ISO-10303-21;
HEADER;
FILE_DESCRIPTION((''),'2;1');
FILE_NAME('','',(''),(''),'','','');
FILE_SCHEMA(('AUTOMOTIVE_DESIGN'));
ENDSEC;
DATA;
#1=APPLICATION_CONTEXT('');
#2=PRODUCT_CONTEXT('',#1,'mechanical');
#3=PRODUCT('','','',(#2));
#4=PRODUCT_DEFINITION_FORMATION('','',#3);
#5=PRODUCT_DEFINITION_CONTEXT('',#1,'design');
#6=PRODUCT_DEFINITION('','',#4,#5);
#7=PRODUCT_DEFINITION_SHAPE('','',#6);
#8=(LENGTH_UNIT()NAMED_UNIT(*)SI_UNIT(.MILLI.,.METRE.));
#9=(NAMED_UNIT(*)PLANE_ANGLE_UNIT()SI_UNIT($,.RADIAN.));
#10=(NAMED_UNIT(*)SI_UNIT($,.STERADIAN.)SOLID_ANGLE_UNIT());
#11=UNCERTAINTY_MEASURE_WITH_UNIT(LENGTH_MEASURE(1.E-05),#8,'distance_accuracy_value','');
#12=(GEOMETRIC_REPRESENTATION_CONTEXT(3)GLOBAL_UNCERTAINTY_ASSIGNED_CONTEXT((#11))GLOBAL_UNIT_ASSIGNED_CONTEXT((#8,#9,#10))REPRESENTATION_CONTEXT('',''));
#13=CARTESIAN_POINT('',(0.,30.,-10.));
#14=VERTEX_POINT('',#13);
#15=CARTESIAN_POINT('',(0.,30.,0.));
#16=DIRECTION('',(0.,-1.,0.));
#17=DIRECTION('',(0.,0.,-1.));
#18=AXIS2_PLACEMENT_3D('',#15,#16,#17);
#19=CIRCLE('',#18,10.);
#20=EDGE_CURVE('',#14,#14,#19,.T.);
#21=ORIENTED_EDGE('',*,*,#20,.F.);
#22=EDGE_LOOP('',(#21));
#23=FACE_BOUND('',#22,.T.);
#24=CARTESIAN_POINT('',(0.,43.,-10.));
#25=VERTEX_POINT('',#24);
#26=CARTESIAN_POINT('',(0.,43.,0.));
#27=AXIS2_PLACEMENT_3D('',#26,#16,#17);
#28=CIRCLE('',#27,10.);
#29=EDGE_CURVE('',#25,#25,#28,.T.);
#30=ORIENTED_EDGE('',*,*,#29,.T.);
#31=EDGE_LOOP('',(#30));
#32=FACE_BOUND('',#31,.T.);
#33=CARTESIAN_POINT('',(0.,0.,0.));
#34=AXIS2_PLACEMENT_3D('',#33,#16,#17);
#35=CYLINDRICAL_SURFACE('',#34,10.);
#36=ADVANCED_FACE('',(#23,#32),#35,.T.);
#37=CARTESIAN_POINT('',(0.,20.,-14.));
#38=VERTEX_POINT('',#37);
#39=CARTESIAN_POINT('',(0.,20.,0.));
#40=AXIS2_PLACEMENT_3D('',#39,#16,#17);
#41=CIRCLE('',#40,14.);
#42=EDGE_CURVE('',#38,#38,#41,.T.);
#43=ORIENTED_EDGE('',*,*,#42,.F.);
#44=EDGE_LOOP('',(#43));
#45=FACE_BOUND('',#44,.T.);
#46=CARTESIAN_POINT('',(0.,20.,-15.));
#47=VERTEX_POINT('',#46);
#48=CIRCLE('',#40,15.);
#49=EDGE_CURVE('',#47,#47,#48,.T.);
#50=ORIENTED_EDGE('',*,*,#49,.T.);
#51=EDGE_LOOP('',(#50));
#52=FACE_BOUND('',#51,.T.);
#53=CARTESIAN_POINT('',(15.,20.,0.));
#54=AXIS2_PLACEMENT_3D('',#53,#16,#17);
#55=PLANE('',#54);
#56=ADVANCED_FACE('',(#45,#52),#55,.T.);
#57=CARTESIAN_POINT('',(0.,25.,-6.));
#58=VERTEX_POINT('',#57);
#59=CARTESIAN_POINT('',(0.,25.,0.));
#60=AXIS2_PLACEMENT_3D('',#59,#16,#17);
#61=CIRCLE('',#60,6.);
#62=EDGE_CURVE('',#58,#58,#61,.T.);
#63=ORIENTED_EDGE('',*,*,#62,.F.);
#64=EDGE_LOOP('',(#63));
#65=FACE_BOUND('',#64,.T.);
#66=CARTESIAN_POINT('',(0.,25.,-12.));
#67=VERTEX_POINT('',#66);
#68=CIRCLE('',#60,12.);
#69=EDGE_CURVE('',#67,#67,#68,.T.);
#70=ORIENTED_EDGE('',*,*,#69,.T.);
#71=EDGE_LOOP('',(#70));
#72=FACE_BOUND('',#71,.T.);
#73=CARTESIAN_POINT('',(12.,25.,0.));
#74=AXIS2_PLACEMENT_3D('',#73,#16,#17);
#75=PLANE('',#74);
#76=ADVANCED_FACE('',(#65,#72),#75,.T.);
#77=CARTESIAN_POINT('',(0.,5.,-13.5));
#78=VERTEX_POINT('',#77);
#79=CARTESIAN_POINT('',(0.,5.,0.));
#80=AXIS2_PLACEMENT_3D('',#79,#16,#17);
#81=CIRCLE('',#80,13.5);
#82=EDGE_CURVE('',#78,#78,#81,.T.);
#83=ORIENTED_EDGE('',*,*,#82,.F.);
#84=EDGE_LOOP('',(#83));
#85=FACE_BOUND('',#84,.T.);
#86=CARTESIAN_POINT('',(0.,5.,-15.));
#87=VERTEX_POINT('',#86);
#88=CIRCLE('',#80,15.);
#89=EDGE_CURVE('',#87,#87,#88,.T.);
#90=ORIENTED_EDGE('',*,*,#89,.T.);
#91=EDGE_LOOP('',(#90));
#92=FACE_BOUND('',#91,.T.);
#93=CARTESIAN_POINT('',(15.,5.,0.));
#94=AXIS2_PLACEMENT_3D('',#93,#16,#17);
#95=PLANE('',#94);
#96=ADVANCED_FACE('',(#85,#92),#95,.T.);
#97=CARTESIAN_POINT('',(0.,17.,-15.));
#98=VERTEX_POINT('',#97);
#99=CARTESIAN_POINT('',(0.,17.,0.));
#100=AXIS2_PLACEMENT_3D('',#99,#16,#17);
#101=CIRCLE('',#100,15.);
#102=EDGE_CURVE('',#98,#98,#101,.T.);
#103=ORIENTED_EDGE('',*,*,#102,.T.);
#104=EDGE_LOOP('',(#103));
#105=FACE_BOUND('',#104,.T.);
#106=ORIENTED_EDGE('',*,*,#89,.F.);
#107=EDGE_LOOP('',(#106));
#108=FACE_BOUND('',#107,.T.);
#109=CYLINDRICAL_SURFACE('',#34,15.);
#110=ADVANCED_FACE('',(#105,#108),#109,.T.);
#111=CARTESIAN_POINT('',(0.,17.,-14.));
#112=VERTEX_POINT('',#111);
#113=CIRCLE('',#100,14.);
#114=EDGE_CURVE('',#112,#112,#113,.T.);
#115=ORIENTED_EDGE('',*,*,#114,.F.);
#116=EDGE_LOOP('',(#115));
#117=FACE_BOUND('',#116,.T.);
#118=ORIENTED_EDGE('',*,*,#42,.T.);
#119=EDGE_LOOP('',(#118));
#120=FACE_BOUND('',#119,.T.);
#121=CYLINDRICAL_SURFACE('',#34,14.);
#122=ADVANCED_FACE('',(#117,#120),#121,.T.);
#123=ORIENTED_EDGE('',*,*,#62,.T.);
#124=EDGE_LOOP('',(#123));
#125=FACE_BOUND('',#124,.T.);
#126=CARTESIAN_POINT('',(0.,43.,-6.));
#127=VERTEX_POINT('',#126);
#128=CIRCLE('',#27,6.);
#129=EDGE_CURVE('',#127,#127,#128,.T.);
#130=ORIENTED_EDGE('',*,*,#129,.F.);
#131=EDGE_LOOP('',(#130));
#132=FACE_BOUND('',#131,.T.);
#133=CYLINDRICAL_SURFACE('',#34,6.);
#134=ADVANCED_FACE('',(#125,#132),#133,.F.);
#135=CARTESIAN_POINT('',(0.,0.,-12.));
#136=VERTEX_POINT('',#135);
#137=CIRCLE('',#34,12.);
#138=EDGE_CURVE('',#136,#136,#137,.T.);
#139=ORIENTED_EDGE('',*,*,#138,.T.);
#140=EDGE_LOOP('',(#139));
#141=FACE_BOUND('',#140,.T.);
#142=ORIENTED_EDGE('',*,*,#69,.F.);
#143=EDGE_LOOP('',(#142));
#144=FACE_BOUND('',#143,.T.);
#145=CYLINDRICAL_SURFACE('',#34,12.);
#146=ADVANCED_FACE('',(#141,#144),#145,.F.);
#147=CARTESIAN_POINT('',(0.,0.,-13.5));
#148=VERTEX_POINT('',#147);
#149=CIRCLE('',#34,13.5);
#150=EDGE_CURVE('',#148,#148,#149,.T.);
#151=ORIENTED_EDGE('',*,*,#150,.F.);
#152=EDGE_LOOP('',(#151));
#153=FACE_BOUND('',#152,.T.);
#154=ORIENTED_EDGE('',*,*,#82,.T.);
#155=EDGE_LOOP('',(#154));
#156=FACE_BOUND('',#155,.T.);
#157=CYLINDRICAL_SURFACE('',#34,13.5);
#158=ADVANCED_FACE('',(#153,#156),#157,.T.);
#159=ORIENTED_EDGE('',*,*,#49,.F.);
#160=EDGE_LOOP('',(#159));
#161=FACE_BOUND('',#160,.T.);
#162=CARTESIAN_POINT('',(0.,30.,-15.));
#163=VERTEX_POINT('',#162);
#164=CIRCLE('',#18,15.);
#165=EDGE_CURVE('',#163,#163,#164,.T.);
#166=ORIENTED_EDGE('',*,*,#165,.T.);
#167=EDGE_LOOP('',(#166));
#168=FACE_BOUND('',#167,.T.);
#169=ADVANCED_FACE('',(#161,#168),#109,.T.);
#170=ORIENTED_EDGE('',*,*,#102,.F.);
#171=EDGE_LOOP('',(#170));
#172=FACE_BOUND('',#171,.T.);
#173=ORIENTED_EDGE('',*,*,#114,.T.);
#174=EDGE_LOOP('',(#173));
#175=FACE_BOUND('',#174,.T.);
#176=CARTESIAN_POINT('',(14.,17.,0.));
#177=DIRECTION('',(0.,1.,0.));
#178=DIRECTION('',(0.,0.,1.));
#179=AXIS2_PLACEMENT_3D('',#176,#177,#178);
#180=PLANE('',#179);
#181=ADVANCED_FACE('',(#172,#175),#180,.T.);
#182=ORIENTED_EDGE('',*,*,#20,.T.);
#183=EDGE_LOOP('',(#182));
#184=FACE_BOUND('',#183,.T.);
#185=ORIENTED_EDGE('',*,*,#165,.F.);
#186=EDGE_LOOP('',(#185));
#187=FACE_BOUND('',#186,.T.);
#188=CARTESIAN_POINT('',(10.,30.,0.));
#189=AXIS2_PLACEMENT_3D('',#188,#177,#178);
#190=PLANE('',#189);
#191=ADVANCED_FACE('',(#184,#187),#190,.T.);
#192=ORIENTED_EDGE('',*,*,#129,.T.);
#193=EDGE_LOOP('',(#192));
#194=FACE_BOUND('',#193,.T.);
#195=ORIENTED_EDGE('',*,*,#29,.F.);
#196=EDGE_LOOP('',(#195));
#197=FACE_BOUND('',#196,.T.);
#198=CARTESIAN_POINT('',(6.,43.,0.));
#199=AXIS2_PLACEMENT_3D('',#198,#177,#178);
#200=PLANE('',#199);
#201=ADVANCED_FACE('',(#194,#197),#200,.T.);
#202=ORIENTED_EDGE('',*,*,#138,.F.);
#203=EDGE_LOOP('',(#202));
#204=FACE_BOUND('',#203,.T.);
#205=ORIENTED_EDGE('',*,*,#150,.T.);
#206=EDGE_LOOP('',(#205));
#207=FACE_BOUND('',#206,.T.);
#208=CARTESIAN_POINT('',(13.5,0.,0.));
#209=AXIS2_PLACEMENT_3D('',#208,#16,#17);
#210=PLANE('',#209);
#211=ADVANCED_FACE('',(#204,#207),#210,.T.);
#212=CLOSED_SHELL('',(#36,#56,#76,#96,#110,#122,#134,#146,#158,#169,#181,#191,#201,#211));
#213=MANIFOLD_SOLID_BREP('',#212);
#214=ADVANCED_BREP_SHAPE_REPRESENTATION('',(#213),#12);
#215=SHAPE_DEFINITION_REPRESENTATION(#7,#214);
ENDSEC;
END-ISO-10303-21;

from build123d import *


with BuildPart() as part:
    # 草图1 → 旋转1 (revolve)
    with BuildSketch(Plane.XY):
        Polygon((12, 0), (12, 25), (6, 25), (6, 43), (10, 43), (10, 30), (15, 30), (15, 20), (14, 20), (14, 17), (15, 17), (15, 5), (13.5, 5), (13.5, 0), align=None)
    revolve(axis=Axis((0, 0, 0), (0, 1, 0)))


solid = part.part
